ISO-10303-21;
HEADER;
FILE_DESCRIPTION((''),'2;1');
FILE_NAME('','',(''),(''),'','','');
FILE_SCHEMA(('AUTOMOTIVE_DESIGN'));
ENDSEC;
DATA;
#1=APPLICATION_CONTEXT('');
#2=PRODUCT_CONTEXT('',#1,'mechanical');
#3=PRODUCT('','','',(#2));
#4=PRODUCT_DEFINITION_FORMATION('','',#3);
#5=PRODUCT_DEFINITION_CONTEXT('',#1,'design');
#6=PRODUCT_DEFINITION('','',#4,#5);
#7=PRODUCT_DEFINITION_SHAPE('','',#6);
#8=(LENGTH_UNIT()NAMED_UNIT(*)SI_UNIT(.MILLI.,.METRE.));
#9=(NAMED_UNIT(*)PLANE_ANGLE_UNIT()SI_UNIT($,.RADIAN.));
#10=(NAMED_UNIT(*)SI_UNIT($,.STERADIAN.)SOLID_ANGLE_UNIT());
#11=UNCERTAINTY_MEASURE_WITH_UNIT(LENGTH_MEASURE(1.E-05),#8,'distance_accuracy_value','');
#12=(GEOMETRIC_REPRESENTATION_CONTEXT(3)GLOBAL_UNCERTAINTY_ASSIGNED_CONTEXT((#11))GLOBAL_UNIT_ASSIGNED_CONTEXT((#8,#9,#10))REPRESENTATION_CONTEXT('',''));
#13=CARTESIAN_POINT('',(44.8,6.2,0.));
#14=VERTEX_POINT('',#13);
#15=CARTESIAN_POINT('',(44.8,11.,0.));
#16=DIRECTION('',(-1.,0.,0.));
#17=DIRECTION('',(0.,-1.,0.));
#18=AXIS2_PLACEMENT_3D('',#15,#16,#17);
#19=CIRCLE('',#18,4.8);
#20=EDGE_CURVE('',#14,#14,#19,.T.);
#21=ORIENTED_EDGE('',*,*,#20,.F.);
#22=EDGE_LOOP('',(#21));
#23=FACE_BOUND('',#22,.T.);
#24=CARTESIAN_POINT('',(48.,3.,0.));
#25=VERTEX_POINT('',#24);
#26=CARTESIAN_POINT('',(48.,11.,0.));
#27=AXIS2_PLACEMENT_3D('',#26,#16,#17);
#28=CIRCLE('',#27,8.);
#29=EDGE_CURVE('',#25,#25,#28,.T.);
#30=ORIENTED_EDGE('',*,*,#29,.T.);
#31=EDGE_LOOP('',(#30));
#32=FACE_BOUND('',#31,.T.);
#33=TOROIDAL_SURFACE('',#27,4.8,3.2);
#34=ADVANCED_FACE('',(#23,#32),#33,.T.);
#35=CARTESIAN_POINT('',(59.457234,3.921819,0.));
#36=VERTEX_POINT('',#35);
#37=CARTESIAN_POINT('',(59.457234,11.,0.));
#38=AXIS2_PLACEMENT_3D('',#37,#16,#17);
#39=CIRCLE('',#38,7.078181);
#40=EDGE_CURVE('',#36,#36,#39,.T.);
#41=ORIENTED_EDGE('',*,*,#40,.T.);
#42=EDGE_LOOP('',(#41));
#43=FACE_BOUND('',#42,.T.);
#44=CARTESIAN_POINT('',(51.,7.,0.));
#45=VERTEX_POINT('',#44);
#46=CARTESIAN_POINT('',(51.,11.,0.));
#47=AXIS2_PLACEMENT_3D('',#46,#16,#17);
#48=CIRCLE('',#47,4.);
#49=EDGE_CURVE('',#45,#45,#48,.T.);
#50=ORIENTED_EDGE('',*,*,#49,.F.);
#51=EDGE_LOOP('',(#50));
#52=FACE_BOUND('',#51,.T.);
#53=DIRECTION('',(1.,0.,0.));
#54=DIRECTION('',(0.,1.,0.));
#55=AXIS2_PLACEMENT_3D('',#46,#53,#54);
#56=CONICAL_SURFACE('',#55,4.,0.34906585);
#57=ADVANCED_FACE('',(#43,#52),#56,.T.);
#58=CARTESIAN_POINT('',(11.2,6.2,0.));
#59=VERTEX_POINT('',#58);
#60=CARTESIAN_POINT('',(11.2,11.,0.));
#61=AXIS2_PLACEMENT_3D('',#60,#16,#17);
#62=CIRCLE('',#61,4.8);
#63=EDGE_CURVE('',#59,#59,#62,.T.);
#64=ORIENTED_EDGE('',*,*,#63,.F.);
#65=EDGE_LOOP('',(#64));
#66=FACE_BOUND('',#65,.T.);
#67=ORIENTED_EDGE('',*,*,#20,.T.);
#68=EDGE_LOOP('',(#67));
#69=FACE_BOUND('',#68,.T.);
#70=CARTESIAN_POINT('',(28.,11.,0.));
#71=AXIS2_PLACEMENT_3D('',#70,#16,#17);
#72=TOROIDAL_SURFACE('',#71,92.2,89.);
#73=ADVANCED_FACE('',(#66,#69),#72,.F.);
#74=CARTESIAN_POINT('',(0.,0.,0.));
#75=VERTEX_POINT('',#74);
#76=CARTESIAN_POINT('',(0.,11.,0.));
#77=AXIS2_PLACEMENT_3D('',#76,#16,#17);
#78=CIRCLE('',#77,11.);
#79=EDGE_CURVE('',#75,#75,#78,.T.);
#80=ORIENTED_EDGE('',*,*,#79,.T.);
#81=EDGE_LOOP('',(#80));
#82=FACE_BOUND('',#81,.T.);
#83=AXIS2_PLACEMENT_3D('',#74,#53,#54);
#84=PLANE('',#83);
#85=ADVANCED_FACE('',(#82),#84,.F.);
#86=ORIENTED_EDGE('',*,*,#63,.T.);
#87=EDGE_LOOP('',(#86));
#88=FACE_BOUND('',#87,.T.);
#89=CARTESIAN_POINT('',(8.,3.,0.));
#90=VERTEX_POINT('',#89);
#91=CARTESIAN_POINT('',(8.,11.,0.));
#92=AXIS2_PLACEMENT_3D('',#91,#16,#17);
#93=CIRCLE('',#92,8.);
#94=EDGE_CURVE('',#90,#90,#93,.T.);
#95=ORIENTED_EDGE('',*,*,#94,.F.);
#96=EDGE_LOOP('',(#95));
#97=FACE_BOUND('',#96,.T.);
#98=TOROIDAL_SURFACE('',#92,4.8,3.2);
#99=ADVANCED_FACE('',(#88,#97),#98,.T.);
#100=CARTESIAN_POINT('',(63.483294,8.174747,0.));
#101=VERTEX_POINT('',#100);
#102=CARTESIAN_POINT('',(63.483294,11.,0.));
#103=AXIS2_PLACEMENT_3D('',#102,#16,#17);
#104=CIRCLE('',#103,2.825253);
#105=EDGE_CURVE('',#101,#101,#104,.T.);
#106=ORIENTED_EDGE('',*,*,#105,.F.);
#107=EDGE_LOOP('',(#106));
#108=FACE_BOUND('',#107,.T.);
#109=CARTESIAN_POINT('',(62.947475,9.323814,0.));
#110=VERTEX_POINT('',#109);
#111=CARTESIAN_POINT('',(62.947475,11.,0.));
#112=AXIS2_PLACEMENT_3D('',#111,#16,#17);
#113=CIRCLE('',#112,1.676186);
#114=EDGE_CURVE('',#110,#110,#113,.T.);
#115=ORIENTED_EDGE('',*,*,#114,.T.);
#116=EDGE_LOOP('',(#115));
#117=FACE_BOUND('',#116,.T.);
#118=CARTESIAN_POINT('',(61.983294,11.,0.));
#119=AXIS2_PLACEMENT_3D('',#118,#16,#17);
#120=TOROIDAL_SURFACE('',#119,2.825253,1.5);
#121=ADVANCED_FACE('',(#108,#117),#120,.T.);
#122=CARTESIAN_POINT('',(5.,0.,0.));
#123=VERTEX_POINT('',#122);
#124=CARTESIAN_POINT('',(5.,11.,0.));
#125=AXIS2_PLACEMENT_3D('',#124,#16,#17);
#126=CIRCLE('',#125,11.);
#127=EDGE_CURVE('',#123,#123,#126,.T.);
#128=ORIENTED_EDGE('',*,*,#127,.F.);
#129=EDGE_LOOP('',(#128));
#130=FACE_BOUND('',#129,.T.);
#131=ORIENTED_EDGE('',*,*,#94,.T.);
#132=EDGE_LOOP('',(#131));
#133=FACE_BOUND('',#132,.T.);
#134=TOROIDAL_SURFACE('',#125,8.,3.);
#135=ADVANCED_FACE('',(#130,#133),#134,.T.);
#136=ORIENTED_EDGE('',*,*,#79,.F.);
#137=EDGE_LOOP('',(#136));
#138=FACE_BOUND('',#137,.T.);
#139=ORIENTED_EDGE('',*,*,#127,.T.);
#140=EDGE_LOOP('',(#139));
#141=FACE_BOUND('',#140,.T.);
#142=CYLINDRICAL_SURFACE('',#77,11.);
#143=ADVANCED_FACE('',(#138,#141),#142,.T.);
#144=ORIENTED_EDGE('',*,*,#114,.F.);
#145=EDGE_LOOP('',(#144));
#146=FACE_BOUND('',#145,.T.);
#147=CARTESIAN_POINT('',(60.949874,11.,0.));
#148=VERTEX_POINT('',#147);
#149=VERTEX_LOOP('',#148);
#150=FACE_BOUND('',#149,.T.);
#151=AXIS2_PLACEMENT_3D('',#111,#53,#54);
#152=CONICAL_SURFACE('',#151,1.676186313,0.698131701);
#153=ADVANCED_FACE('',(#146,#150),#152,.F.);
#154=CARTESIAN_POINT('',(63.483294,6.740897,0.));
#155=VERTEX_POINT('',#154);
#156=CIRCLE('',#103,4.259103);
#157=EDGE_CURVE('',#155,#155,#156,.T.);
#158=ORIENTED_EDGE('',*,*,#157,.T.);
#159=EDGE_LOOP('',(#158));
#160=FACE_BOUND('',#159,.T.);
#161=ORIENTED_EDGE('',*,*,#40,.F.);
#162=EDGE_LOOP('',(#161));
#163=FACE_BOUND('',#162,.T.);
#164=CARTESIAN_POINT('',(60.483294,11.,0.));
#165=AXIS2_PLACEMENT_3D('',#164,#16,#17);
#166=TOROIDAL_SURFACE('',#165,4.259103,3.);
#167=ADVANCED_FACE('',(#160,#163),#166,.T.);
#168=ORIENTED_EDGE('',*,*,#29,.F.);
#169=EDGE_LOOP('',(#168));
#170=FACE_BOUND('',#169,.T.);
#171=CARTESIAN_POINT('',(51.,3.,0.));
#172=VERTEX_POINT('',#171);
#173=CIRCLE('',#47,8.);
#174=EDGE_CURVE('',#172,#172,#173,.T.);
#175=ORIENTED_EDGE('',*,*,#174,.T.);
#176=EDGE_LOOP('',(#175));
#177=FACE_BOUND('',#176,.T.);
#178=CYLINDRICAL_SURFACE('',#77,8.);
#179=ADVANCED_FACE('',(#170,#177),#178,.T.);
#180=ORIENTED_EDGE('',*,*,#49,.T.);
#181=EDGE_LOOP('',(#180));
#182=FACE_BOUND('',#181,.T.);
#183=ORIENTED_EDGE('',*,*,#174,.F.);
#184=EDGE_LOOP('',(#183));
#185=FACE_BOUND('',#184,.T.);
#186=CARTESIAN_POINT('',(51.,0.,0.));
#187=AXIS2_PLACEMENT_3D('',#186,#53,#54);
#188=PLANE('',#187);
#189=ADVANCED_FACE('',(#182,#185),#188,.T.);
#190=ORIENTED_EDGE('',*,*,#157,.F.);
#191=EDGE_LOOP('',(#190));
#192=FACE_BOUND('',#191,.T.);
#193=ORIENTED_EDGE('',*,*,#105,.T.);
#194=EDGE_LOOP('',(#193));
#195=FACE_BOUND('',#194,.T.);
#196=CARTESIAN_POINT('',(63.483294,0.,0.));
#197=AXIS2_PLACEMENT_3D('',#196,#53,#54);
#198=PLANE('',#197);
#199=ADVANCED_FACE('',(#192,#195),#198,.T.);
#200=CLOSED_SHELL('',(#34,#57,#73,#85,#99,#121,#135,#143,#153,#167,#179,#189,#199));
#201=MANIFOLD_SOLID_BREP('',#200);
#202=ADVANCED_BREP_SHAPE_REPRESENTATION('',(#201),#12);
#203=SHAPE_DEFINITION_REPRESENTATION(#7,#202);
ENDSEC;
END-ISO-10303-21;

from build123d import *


with BuildPart() as part:
    # Эскиз1 → Повернуть1 (revolve)
    with BuildSketch(Plane.XY):
        with BuildLine():
            Line((0, 11), (0, 0))
            Line((0, 0), (5, 0))
            ThreePointArc((5, 0), (7.121320344, 0.878679656), (8, 3))
            ThreePointArc((8, 3), (10.2627417, 3.9372583), (11.2, 6.2))
            ThreePointArc((11.2, 6.2), (28, 7.8), (44.8, 6.2))
            ThreePointArc((44.8, 6.2), (45.7372583, 3.9372583), (48, 3))
            Line((48, 3), (51, 3))
            Line((51, 3), (51, 7))
            Line((51, 7), (59.457233587, 3.92181871))
            ThreePointArc((59.457233587, 3.92181871), (62.204023326, 4.28344044), (63.483294017, 6.740896572))
            Line((63.483294017, 6.740896572), (63.483294017, 8.174747022))
            ThreePointArc((63.483294017, 8.174747022), (63.342755698, 8.808674415), (62.947475432, 9.323813687))
            Line((62.947475432, 9.323813687), (60.949874371, 11))
            Line((60.949874371, 11), (0, 11))
        make_face()
    revolve(axis=Axis((0, 11, 0), (1, 0, 0)))


solid = part.part
